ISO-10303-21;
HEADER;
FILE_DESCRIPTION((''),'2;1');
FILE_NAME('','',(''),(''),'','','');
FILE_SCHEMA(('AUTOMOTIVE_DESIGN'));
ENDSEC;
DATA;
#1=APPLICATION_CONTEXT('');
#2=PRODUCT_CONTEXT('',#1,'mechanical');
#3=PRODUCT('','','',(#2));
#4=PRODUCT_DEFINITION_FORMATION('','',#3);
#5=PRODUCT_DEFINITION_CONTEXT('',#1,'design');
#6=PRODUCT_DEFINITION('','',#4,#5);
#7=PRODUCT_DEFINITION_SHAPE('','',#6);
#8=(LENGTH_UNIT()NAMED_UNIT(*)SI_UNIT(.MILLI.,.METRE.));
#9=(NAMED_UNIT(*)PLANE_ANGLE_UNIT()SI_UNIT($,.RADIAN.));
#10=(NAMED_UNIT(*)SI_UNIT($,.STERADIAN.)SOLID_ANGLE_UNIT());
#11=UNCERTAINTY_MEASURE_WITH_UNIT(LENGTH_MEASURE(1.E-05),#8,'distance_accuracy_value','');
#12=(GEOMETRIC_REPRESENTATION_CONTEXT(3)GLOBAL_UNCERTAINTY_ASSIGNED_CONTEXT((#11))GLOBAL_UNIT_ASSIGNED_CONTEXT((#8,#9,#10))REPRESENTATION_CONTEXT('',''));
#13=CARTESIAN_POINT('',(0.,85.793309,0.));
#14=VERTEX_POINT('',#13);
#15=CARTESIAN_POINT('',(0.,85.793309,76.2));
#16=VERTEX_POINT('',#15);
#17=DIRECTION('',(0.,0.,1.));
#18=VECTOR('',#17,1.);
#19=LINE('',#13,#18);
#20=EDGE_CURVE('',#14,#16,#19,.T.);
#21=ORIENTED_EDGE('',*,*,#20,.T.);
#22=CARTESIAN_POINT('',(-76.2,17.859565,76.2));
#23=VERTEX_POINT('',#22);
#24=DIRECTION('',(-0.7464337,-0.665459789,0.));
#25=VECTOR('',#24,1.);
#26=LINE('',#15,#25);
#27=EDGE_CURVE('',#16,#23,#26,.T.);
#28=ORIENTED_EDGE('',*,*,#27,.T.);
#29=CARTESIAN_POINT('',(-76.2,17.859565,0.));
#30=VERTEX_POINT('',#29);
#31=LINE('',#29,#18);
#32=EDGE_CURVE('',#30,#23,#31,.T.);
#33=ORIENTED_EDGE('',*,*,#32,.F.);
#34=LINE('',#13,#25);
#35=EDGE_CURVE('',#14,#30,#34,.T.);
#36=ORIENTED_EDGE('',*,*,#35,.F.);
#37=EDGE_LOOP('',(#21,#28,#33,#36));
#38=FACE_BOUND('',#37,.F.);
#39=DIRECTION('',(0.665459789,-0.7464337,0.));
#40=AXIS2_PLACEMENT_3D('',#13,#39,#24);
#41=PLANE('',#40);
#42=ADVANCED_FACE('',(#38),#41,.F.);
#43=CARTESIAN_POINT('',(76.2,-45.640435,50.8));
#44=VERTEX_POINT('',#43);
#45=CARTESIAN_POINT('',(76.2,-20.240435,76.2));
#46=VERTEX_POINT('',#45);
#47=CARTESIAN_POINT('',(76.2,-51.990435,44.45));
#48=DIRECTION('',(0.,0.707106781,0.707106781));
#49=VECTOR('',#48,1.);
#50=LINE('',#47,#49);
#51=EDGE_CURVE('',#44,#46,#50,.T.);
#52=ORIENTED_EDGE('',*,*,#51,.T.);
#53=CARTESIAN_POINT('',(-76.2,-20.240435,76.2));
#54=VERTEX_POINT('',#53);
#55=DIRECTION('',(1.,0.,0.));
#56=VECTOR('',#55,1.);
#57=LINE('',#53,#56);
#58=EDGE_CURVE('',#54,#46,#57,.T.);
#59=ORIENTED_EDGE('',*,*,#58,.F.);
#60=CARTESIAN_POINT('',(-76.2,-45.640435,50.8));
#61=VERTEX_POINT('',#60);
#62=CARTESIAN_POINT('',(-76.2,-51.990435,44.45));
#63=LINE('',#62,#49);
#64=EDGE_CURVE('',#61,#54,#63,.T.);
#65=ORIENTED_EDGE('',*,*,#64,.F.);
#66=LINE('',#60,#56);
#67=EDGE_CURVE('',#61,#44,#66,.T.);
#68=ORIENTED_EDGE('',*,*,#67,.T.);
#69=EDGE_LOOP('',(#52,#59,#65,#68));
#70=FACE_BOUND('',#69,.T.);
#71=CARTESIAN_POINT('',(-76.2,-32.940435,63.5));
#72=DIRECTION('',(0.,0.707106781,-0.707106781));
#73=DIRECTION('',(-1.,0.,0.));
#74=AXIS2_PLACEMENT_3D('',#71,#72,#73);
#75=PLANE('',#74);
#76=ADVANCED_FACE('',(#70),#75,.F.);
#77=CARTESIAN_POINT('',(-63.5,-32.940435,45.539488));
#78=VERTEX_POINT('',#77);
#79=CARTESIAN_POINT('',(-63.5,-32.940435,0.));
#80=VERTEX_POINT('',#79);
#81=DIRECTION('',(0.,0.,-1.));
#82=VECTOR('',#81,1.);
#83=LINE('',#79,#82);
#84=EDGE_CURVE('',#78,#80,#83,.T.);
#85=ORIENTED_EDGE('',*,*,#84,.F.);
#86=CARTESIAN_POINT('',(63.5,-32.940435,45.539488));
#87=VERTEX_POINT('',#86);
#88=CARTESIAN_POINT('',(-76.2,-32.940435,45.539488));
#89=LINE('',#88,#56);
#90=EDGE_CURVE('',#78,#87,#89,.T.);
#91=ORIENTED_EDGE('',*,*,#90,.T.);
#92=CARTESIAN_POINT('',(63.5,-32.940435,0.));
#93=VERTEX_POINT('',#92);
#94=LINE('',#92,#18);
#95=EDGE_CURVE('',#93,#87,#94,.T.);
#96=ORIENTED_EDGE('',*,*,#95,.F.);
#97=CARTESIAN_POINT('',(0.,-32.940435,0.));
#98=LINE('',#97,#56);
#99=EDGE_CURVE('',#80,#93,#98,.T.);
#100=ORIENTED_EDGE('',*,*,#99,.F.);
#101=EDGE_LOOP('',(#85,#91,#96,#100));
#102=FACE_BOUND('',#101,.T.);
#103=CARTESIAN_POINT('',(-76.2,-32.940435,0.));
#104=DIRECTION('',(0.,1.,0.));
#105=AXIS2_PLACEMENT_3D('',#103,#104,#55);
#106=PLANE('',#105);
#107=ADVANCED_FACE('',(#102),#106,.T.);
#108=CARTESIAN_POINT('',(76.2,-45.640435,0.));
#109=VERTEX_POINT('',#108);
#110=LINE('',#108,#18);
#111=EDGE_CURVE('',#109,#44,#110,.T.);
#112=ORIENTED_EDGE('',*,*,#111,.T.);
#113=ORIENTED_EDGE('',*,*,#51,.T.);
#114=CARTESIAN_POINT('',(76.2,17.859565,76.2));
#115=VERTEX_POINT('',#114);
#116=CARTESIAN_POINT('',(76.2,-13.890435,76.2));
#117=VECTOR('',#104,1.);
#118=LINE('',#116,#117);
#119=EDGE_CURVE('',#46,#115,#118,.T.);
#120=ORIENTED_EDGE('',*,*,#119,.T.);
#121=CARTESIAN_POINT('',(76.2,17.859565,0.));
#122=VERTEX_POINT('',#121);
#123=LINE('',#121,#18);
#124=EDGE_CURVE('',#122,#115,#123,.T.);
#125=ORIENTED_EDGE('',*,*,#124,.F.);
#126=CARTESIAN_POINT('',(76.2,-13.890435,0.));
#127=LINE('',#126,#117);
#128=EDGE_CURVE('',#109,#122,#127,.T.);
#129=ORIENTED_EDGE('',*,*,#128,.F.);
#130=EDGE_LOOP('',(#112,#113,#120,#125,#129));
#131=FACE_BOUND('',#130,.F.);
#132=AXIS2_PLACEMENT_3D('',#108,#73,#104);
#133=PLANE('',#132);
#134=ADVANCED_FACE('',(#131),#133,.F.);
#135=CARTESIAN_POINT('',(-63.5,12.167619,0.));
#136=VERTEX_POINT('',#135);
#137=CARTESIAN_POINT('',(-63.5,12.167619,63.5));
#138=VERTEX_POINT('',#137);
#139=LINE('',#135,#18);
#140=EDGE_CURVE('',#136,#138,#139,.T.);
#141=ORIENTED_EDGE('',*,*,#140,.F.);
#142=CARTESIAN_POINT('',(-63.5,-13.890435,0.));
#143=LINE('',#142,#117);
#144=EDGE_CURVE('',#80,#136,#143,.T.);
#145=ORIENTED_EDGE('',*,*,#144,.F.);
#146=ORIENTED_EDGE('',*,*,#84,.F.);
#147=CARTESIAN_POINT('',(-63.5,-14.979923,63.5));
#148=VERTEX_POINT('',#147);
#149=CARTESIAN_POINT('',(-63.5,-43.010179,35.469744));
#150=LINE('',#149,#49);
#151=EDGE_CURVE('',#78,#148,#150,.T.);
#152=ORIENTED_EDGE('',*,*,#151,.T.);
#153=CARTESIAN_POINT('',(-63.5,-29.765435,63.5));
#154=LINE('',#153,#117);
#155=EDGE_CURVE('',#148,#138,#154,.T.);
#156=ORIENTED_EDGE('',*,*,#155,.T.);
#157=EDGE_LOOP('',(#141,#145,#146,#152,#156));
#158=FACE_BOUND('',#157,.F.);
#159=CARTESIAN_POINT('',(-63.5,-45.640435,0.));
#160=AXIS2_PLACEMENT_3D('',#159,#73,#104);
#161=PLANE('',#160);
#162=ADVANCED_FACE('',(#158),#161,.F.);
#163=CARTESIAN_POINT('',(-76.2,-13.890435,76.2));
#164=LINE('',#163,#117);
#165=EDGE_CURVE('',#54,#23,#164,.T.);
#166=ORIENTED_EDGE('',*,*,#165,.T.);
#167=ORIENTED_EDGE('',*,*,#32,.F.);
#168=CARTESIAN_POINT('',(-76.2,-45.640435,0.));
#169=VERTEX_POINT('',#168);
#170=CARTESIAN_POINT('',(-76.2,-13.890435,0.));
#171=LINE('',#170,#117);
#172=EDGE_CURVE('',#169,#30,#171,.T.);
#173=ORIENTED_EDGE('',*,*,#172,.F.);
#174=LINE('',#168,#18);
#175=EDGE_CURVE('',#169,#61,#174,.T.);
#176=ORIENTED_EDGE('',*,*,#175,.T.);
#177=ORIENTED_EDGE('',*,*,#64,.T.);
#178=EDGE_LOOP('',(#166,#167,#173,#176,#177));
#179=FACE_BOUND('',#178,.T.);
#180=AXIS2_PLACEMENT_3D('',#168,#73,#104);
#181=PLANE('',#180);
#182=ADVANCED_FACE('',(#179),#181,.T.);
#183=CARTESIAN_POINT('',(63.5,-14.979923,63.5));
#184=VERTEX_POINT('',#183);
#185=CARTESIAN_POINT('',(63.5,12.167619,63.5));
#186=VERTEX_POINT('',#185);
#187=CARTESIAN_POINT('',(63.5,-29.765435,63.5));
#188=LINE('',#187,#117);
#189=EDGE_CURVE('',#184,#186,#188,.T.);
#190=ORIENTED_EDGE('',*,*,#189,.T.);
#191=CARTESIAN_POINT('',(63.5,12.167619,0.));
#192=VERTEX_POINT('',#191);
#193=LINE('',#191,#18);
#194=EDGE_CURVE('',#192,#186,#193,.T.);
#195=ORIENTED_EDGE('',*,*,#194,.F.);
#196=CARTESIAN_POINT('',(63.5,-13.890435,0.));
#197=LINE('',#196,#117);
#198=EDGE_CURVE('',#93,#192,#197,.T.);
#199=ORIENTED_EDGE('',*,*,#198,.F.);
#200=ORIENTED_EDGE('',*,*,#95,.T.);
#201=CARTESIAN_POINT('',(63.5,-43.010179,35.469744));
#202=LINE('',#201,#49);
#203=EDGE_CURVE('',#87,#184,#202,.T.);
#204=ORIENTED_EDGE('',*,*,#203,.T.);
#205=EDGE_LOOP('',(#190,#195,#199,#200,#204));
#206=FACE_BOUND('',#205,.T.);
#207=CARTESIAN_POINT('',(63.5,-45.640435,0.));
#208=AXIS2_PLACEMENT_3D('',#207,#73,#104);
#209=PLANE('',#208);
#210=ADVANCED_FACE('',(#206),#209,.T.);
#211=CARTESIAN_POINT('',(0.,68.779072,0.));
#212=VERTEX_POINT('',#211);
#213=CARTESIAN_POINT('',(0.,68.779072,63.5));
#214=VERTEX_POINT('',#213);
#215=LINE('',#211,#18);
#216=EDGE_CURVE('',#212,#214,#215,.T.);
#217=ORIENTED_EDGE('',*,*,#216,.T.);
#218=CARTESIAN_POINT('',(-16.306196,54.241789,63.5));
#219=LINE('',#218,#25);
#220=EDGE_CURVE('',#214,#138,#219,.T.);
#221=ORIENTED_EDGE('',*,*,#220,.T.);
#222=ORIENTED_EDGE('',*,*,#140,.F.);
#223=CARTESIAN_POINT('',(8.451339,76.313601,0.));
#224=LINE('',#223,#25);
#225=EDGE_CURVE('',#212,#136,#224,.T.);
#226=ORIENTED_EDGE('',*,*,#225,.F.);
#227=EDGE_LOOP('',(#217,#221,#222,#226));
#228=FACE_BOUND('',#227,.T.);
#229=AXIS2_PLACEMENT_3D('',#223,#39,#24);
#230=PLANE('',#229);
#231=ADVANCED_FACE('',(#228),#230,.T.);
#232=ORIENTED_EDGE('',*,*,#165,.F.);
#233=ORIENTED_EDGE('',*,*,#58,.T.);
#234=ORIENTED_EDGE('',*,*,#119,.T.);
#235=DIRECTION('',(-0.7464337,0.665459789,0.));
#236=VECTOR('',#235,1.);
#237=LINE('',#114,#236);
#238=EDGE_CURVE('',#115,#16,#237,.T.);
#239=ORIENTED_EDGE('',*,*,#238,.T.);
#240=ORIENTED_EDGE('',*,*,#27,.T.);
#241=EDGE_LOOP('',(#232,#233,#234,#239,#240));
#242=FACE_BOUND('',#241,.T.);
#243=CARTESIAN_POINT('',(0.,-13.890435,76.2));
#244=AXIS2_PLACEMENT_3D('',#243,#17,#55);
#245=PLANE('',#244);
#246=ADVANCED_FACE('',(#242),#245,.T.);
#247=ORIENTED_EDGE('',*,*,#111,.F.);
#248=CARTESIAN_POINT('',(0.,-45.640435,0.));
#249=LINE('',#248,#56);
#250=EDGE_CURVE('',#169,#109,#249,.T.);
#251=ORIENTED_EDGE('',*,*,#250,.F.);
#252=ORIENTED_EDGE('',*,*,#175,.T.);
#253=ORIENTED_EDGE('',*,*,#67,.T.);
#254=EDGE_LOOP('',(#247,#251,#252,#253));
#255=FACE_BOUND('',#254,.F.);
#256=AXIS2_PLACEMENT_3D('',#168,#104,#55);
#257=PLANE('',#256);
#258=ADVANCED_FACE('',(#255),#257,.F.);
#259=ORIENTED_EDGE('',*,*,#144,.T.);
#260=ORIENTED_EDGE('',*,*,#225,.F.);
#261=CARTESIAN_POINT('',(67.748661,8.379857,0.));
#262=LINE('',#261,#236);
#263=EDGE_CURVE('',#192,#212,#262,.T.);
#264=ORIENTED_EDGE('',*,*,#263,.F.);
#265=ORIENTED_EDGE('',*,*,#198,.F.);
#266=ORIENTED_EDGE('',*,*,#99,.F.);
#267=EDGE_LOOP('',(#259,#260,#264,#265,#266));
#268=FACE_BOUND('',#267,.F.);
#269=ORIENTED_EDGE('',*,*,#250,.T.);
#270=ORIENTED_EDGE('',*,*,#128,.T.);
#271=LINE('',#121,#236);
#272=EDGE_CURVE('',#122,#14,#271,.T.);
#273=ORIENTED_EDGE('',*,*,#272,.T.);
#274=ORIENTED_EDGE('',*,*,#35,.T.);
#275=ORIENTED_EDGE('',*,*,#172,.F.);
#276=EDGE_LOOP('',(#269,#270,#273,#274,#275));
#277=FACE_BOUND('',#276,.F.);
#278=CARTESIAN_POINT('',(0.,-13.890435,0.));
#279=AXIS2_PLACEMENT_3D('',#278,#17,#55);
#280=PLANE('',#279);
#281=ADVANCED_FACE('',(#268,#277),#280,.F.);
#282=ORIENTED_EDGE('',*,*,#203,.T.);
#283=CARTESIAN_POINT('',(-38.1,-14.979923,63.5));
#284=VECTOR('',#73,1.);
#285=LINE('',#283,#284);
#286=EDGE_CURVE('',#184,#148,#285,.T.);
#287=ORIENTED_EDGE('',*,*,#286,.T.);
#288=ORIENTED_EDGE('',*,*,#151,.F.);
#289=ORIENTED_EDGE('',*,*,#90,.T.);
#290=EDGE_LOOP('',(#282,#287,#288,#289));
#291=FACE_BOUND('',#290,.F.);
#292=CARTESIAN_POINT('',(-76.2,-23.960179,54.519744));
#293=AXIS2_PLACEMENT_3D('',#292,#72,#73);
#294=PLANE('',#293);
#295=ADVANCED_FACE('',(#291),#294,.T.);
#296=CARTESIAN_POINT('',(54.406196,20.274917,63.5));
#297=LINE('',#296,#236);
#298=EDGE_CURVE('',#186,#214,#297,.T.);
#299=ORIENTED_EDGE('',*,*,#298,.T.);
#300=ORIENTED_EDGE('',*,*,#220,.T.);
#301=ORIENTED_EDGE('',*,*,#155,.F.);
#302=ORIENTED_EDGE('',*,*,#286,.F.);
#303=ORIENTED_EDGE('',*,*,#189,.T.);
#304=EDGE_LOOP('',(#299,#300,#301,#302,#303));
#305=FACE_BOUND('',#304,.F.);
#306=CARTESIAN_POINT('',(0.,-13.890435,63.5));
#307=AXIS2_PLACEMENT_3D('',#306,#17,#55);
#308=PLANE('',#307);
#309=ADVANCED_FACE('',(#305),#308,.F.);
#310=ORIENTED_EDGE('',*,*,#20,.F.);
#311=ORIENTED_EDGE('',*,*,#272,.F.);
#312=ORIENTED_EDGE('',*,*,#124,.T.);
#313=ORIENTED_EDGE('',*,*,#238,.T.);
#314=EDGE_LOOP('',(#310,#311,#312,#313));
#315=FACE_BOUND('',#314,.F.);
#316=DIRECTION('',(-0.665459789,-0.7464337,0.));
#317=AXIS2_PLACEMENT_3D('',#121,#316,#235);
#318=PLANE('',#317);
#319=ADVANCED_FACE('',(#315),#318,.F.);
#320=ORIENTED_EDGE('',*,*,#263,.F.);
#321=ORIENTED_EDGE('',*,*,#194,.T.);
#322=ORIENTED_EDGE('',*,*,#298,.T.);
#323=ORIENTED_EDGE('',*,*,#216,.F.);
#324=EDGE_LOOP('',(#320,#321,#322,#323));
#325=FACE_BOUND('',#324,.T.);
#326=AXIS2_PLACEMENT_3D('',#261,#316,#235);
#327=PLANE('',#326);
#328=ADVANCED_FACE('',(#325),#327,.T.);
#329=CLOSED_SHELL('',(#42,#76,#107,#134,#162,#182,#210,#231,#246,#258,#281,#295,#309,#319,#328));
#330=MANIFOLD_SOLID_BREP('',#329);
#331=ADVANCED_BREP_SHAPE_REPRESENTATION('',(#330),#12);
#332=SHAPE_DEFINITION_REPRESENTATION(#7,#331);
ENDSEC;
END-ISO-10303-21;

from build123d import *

# Parameters (mm, degrees)
F0_W     = 152.4
F0_H     = 63.5
F1_DEPTH = 76.2
F2_SIZE  = 25.4
F3_T     = -12.7


with BuildPart() as f1:
    # F0 (on Top) → F1 (new body)
    with BuildSketch(Plane.XY):
        with Locations((0, -13.890435)):
            Rectangle(F0_W, F0_H)
        Polygon((0, 85.793309), (-76.2, 17.859565), (76.2, 17.859565), align=None)
    extrude(amount=F1_DEPTH)

    # F2
    f2_edges = [f1.edges().sort_by_distance(p)[0] for p in [
        (0, -45.640435, 76.2),
    ]]
    chamfer(f2_edges, length=F2_SIZE)

    # F3
    f3_openings = [f1.faces().sort_by_distance(p)[0] for p in [
        (0, 5.065891, 0),
    ]]
    offset(amount=F3_T, openings=f3_openings)


solid = f1.part
